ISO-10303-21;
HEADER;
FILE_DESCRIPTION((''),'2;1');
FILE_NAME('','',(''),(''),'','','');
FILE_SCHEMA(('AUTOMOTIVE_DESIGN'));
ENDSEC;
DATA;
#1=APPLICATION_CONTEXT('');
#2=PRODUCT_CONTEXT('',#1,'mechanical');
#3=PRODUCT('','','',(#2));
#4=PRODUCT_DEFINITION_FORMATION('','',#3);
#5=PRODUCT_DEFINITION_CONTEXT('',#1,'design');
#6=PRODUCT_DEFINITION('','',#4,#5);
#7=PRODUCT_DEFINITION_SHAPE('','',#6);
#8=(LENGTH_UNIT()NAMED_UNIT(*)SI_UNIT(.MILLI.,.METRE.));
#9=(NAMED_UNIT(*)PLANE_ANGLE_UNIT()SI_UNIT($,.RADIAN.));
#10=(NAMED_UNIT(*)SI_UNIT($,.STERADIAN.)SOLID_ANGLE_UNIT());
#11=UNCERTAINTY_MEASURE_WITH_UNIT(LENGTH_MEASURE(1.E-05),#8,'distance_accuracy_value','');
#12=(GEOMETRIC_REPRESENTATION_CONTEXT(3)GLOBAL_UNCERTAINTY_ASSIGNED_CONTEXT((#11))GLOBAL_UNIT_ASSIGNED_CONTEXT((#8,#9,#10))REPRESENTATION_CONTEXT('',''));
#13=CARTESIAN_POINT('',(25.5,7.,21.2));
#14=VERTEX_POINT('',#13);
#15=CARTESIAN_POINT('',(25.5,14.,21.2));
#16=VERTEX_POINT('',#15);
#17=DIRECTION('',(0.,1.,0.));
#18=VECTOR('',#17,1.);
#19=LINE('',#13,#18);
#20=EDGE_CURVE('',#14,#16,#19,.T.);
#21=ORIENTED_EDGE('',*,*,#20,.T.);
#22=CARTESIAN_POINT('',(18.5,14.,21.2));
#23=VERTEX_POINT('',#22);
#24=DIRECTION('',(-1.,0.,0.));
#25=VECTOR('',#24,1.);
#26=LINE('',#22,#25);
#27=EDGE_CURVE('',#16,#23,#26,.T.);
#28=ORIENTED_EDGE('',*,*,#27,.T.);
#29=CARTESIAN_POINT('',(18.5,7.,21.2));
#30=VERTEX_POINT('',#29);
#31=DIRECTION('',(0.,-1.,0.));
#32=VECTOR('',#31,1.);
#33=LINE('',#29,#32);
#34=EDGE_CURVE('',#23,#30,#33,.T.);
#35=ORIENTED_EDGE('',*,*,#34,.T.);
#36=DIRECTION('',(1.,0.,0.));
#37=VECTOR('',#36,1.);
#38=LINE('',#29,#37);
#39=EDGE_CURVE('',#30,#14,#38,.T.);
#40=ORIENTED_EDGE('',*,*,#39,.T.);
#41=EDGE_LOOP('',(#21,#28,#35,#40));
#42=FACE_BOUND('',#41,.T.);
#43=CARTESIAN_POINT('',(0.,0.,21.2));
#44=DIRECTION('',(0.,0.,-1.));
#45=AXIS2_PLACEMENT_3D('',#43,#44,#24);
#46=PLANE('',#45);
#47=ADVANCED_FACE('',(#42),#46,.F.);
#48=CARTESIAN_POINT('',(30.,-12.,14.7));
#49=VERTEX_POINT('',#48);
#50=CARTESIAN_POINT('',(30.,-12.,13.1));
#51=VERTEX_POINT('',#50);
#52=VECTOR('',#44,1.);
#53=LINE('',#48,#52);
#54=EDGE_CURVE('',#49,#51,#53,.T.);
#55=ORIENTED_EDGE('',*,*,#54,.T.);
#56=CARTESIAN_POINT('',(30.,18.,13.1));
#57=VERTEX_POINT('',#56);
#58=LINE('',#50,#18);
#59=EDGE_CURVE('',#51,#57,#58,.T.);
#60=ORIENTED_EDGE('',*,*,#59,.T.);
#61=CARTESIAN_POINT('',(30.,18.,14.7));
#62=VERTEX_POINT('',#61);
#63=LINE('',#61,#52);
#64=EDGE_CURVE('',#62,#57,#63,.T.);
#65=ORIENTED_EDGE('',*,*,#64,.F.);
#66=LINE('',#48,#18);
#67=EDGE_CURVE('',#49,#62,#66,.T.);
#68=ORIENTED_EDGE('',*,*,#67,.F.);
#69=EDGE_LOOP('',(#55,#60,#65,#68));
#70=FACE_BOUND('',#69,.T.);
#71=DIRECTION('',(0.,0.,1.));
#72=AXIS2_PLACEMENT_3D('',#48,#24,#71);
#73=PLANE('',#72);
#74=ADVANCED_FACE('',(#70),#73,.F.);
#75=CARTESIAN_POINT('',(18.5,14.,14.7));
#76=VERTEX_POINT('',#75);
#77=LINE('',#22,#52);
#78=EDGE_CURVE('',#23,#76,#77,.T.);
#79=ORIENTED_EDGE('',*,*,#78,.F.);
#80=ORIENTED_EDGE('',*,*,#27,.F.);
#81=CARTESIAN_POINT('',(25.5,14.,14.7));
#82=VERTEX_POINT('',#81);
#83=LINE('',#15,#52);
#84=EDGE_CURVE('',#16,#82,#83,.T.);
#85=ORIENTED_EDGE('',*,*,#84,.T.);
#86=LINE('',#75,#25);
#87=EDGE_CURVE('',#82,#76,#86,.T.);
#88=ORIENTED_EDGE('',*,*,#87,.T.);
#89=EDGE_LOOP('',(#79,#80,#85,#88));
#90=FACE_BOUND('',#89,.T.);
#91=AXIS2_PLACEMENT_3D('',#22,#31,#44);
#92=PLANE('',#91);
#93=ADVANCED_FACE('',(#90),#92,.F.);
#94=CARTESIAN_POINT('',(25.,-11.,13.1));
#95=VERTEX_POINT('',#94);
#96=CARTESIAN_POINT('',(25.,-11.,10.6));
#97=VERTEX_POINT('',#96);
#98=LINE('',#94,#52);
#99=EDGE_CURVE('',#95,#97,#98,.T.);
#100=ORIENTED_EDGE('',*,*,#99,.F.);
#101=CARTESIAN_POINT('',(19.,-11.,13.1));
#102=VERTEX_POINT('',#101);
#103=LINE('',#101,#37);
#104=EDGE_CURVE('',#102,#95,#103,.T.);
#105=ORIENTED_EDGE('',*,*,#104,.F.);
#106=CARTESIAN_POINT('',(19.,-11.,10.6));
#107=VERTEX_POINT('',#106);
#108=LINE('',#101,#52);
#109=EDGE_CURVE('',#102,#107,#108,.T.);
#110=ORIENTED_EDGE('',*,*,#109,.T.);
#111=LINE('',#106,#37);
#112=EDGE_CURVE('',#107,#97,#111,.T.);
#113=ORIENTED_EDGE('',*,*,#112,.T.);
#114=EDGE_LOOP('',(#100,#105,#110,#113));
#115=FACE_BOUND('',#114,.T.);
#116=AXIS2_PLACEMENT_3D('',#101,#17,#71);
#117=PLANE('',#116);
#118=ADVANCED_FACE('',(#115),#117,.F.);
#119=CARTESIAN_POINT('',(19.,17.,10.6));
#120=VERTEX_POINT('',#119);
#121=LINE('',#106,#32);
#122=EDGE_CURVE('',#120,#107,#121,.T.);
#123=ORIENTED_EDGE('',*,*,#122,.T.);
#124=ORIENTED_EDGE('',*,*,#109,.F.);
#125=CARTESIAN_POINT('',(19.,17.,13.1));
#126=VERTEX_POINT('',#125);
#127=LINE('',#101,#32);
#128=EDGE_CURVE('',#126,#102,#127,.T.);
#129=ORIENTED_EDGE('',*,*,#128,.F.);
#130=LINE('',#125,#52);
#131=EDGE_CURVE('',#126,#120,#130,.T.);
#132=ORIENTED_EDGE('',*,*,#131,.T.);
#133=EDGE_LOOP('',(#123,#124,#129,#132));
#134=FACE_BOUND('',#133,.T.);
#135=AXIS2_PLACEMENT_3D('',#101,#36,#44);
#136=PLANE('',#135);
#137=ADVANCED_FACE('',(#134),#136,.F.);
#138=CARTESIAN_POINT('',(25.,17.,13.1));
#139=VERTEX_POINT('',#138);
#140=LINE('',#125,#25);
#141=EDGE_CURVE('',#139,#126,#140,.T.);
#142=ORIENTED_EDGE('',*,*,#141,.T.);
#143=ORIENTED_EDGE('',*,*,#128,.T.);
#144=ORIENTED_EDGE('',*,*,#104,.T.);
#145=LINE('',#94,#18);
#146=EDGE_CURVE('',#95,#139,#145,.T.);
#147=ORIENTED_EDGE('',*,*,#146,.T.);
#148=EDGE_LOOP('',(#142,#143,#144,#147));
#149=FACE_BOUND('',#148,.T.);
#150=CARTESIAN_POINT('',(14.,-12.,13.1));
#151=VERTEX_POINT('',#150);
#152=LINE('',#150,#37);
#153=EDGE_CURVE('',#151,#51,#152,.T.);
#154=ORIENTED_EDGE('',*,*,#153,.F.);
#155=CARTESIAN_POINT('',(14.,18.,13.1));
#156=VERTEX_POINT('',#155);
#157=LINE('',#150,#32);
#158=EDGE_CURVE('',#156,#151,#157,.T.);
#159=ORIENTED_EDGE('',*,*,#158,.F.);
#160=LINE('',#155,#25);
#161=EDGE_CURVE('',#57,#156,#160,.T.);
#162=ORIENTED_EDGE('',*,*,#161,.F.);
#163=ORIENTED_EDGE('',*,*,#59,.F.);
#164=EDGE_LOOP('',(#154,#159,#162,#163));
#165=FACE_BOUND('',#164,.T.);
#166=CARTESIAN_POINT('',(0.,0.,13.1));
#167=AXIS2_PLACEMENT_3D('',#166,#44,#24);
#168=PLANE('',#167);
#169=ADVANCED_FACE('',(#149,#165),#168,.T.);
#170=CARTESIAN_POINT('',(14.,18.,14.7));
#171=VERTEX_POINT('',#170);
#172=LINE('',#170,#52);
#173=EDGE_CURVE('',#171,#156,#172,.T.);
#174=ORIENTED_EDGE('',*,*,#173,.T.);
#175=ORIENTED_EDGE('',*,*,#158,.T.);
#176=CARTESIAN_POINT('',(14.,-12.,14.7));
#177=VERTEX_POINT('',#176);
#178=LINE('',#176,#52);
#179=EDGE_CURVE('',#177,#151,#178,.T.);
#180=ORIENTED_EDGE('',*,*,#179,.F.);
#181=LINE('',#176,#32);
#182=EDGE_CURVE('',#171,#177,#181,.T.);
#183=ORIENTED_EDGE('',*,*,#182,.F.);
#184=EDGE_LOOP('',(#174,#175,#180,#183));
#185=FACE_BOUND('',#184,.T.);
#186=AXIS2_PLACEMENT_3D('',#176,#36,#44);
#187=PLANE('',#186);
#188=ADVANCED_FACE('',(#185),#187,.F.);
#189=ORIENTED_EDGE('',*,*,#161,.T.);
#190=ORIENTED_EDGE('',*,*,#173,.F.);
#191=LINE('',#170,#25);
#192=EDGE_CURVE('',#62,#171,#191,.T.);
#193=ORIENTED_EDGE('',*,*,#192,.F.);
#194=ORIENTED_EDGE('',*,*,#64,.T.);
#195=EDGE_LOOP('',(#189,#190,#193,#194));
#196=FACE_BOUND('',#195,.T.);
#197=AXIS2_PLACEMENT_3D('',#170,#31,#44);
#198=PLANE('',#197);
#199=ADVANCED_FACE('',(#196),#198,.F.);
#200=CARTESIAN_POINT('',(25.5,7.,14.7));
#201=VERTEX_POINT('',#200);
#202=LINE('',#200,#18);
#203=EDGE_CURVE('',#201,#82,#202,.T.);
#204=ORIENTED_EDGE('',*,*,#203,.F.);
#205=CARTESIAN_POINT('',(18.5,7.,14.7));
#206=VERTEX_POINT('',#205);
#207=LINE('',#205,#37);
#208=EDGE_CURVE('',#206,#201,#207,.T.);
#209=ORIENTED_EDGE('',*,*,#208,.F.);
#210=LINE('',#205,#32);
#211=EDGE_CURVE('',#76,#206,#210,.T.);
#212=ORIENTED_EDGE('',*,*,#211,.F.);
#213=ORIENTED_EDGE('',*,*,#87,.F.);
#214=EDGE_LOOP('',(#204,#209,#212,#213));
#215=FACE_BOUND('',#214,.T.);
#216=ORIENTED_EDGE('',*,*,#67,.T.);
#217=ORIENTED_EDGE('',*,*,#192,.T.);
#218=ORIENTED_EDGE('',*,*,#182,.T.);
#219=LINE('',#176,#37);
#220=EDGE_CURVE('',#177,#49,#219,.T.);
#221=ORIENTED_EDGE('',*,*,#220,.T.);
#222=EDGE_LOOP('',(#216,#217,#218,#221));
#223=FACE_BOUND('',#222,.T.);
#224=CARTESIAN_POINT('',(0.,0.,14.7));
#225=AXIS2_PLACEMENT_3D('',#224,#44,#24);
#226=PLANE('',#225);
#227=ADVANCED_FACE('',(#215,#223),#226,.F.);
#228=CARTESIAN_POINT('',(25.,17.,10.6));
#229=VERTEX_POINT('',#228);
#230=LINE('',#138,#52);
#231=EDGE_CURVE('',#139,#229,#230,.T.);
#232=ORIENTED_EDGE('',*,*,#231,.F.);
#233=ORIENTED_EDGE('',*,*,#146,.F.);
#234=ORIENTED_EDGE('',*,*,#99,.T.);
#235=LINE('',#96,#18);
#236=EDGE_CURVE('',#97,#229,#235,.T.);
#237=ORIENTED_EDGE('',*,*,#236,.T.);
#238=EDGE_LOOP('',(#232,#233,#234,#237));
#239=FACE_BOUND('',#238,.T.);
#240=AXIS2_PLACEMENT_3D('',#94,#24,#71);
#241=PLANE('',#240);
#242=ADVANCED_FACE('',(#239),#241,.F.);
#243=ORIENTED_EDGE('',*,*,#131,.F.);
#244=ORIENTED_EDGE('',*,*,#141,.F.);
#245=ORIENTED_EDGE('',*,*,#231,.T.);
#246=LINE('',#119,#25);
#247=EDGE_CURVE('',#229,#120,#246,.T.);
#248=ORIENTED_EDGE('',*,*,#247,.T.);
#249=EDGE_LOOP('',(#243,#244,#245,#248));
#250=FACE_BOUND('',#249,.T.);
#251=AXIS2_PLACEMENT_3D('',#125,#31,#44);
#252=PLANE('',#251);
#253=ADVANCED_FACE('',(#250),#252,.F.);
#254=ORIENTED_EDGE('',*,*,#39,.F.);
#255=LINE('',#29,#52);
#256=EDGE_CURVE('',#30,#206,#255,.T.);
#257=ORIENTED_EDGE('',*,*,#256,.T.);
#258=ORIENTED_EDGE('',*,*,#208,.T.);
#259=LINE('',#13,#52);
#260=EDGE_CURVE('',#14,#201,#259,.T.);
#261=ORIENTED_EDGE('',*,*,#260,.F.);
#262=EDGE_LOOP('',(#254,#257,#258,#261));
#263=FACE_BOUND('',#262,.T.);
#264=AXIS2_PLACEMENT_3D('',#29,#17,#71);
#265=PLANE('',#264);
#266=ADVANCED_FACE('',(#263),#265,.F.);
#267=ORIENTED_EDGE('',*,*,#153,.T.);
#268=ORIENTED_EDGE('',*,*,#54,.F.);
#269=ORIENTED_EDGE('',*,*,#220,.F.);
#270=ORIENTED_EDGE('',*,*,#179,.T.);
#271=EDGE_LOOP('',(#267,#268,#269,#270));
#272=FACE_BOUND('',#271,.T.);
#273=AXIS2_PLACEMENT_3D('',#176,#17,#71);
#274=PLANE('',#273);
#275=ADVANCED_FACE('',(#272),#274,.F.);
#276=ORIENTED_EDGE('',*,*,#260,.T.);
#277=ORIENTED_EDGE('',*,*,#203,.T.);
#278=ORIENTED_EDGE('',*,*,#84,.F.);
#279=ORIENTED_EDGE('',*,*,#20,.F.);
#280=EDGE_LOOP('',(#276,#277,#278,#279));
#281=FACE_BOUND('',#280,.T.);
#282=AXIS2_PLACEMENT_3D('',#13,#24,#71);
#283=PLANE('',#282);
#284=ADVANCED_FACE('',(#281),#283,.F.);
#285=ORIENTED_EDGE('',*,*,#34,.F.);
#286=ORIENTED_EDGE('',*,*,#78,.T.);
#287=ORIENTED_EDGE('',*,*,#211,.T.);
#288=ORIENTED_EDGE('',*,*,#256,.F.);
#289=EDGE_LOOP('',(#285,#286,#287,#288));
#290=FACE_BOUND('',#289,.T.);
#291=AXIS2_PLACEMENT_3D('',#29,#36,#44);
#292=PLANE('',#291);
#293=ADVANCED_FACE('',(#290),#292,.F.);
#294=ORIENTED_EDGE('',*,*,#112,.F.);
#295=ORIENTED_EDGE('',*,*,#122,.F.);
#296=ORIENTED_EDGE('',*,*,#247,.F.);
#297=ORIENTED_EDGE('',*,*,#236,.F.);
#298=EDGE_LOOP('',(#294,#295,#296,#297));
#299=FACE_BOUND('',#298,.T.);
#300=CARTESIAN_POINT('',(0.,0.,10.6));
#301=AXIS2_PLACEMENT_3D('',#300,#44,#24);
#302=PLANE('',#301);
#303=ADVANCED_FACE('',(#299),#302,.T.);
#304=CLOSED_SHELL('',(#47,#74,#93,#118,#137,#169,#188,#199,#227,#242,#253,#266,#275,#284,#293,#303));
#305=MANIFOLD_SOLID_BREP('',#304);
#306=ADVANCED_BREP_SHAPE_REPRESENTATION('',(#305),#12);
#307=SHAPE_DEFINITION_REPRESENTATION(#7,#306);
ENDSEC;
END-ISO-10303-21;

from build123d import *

# Parameters (mm, degrees)
SKETCH1_W           = 16
SKETCH1_H           = 30
BOSS_EXTRUDE1_DEPTH = 1.6
SKETCH2_W           = 6
SKETCH2_H           = 28
BOSS_EXTRUDE2_DEPTH = 2.5
SKETCH3_W           = 7
SKETCH3_H           = 7
BOSS_EXTRUDE3_DEPTH = 6.5


with BuildPart() as part:
    # Sketch1 → Boss-Extrude1 (new body)
    with BuildSketch(Plane.XY.offset(13.1)):
        with Locations((22, 3)):
            Rectangle(SKETCH1_W, SKETCH1_H)
    extrude(amount=BOSS_EXTRUDE1_DEPTH)

    # Sketch2 → Boss-Extrude2 (add)
    with BuildSketch(Plane.XY.offset(10.6)):
        with Locations((22, 3)):
            Rectangle(SKETCH2_W, SKETCH2_H)
    extrude(amount=BOSS_EXTRUDE2_DEPTH)

    # Sketch3 → Boss-Extrude3 (add)
    with BuildSketch(Plane.XY.offset(14.7)):
        with Locations((22, 10.5)):
            Rectangle(SKETCH3_W, SKETCH3_H)
    extrude(amount=BOSS_EXTRUDE3_DEPTH)


solid = part.part
